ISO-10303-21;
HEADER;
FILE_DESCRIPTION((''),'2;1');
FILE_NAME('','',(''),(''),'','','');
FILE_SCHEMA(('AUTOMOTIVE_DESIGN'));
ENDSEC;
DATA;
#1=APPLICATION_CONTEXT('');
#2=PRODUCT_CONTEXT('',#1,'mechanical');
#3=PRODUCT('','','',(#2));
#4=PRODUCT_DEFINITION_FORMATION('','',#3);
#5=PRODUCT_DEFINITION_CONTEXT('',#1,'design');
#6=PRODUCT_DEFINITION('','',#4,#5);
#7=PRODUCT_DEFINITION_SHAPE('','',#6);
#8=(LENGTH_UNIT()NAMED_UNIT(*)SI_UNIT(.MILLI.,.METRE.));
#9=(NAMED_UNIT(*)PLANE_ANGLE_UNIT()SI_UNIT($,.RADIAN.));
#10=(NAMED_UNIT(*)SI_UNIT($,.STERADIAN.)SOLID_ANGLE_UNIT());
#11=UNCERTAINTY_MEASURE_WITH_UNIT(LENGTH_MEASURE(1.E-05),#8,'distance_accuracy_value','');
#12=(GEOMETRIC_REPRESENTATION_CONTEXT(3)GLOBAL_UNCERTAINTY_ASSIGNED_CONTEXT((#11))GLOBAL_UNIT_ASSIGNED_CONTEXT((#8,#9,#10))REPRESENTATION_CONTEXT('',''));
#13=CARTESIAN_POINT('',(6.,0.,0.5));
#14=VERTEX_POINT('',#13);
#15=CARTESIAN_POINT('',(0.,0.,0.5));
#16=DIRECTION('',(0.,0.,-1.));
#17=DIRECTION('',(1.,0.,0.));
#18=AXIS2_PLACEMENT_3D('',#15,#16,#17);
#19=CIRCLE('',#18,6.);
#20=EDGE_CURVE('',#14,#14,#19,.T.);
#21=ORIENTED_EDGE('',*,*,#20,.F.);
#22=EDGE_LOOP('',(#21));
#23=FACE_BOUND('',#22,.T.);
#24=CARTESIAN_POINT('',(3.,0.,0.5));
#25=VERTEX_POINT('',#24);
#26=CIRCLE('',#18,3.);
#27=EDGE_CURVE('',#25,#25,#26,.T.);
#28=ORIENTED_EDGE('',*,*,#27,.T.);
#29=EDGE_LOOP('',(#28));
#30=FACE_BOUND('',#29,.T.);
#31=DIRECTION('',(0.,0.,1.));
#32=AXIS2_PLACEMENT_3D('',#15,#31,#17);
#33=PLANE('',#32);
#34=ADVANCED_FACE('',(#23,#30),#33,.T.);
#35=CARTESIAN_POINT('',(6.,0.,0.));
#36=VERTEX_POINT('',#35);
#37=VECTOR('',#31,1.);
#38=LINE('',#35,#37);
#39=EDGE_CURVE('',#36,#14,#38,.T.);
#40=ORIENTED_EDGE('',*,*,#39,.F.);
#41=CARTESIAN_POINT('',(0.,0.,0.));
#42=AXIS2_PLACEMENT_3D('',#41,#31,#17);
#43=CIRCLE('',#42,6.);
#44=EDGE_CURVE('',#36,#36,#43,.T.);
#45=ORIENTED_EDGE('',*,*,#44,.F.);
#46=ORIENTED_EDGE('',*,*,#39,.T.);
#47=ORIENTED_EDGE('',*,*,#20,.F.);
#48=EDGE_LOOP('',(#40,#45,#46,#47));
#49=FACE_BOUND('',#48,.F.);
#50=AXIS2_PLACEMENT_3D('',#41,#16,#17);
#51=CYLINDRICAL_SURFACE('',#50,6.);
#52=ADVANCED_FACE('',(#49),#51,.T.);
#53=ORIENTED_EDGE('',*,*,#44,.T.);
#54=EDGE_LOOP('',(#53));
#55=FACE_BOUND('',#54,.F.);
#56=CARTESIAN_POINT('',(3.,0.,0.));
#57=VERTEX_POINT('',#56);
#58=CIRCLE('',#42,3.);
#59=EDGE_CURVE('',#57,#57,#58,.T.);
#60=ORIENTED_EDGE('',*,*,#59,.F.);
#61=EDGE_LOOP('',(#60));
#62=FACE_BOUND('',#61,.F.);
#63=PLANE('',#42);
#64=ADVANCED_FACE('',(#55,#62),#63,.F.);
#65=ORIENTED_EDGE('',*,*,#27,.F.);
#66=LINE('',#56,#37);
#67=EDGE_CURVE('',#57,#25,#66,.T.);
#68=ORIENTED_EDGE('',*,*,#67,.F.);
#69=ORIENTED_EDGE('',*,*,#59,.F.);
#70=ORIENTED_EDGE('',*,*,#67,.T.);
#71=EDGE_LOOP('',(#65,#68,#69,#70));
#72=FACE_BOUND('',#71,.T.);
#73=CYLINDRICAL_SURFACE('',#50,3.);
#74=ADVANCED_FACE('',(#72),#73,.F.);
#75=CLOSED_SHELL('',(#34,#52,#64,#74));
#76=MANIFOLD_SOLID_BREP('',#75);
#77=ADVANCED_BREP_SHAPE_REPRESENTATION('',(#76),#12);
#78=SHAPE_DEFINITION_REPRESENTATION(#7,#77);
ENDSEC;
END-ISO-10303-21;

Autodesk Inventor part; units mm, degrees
ref_plane "YZ Plane" through (0, 0, 0) normal (1, 0, 0) x (0, 1, 0)
ref_plane "XZ Plane" through (0, 0, 0) normal (0, 1, 0) x (-1, 0, 0)
ref_plane "XY Plane" through (0, 0, 0) normal (0, 0, 1) x (1, 0, 0)
sketch "Skizze1" plane through (0, 0, 0) normal (0, 0, 1) x (1, 0, 0)
  circle A0 centre (0, 0) radius 3
  circle A1 centre (0, 0) radius 6
  line L0 (-21, 0) -> (21, 0) projected
  line L1 (0, 21) -> (0, -21) projected
  dimension "d0" = 6
  dimension "d1" = 12
extrude "Körper" add sketch "Skizze1" along normal blind 0.5 contours L0 A1 L1 A0 | A0 L1 A1 L0 | A0 L0 A1 L1 | L1 A1 L0 A0
equation "\"d0\" = SD1"
equation "\"d1\" = SD2"
equation "\"d2\" = SD"
equation "\"SD2\" = 12"
equation "\"SD\" = 0.5"
equation "\"SD1\" = 6"
equation "\"NND\" = 6"
equation "\"SR\" = 0.5 * NND2"
equation "\"NND2\" = 12"
properties part number "DIN 988 - 6 x 12 x 0,5" material "Stahl, weich"
